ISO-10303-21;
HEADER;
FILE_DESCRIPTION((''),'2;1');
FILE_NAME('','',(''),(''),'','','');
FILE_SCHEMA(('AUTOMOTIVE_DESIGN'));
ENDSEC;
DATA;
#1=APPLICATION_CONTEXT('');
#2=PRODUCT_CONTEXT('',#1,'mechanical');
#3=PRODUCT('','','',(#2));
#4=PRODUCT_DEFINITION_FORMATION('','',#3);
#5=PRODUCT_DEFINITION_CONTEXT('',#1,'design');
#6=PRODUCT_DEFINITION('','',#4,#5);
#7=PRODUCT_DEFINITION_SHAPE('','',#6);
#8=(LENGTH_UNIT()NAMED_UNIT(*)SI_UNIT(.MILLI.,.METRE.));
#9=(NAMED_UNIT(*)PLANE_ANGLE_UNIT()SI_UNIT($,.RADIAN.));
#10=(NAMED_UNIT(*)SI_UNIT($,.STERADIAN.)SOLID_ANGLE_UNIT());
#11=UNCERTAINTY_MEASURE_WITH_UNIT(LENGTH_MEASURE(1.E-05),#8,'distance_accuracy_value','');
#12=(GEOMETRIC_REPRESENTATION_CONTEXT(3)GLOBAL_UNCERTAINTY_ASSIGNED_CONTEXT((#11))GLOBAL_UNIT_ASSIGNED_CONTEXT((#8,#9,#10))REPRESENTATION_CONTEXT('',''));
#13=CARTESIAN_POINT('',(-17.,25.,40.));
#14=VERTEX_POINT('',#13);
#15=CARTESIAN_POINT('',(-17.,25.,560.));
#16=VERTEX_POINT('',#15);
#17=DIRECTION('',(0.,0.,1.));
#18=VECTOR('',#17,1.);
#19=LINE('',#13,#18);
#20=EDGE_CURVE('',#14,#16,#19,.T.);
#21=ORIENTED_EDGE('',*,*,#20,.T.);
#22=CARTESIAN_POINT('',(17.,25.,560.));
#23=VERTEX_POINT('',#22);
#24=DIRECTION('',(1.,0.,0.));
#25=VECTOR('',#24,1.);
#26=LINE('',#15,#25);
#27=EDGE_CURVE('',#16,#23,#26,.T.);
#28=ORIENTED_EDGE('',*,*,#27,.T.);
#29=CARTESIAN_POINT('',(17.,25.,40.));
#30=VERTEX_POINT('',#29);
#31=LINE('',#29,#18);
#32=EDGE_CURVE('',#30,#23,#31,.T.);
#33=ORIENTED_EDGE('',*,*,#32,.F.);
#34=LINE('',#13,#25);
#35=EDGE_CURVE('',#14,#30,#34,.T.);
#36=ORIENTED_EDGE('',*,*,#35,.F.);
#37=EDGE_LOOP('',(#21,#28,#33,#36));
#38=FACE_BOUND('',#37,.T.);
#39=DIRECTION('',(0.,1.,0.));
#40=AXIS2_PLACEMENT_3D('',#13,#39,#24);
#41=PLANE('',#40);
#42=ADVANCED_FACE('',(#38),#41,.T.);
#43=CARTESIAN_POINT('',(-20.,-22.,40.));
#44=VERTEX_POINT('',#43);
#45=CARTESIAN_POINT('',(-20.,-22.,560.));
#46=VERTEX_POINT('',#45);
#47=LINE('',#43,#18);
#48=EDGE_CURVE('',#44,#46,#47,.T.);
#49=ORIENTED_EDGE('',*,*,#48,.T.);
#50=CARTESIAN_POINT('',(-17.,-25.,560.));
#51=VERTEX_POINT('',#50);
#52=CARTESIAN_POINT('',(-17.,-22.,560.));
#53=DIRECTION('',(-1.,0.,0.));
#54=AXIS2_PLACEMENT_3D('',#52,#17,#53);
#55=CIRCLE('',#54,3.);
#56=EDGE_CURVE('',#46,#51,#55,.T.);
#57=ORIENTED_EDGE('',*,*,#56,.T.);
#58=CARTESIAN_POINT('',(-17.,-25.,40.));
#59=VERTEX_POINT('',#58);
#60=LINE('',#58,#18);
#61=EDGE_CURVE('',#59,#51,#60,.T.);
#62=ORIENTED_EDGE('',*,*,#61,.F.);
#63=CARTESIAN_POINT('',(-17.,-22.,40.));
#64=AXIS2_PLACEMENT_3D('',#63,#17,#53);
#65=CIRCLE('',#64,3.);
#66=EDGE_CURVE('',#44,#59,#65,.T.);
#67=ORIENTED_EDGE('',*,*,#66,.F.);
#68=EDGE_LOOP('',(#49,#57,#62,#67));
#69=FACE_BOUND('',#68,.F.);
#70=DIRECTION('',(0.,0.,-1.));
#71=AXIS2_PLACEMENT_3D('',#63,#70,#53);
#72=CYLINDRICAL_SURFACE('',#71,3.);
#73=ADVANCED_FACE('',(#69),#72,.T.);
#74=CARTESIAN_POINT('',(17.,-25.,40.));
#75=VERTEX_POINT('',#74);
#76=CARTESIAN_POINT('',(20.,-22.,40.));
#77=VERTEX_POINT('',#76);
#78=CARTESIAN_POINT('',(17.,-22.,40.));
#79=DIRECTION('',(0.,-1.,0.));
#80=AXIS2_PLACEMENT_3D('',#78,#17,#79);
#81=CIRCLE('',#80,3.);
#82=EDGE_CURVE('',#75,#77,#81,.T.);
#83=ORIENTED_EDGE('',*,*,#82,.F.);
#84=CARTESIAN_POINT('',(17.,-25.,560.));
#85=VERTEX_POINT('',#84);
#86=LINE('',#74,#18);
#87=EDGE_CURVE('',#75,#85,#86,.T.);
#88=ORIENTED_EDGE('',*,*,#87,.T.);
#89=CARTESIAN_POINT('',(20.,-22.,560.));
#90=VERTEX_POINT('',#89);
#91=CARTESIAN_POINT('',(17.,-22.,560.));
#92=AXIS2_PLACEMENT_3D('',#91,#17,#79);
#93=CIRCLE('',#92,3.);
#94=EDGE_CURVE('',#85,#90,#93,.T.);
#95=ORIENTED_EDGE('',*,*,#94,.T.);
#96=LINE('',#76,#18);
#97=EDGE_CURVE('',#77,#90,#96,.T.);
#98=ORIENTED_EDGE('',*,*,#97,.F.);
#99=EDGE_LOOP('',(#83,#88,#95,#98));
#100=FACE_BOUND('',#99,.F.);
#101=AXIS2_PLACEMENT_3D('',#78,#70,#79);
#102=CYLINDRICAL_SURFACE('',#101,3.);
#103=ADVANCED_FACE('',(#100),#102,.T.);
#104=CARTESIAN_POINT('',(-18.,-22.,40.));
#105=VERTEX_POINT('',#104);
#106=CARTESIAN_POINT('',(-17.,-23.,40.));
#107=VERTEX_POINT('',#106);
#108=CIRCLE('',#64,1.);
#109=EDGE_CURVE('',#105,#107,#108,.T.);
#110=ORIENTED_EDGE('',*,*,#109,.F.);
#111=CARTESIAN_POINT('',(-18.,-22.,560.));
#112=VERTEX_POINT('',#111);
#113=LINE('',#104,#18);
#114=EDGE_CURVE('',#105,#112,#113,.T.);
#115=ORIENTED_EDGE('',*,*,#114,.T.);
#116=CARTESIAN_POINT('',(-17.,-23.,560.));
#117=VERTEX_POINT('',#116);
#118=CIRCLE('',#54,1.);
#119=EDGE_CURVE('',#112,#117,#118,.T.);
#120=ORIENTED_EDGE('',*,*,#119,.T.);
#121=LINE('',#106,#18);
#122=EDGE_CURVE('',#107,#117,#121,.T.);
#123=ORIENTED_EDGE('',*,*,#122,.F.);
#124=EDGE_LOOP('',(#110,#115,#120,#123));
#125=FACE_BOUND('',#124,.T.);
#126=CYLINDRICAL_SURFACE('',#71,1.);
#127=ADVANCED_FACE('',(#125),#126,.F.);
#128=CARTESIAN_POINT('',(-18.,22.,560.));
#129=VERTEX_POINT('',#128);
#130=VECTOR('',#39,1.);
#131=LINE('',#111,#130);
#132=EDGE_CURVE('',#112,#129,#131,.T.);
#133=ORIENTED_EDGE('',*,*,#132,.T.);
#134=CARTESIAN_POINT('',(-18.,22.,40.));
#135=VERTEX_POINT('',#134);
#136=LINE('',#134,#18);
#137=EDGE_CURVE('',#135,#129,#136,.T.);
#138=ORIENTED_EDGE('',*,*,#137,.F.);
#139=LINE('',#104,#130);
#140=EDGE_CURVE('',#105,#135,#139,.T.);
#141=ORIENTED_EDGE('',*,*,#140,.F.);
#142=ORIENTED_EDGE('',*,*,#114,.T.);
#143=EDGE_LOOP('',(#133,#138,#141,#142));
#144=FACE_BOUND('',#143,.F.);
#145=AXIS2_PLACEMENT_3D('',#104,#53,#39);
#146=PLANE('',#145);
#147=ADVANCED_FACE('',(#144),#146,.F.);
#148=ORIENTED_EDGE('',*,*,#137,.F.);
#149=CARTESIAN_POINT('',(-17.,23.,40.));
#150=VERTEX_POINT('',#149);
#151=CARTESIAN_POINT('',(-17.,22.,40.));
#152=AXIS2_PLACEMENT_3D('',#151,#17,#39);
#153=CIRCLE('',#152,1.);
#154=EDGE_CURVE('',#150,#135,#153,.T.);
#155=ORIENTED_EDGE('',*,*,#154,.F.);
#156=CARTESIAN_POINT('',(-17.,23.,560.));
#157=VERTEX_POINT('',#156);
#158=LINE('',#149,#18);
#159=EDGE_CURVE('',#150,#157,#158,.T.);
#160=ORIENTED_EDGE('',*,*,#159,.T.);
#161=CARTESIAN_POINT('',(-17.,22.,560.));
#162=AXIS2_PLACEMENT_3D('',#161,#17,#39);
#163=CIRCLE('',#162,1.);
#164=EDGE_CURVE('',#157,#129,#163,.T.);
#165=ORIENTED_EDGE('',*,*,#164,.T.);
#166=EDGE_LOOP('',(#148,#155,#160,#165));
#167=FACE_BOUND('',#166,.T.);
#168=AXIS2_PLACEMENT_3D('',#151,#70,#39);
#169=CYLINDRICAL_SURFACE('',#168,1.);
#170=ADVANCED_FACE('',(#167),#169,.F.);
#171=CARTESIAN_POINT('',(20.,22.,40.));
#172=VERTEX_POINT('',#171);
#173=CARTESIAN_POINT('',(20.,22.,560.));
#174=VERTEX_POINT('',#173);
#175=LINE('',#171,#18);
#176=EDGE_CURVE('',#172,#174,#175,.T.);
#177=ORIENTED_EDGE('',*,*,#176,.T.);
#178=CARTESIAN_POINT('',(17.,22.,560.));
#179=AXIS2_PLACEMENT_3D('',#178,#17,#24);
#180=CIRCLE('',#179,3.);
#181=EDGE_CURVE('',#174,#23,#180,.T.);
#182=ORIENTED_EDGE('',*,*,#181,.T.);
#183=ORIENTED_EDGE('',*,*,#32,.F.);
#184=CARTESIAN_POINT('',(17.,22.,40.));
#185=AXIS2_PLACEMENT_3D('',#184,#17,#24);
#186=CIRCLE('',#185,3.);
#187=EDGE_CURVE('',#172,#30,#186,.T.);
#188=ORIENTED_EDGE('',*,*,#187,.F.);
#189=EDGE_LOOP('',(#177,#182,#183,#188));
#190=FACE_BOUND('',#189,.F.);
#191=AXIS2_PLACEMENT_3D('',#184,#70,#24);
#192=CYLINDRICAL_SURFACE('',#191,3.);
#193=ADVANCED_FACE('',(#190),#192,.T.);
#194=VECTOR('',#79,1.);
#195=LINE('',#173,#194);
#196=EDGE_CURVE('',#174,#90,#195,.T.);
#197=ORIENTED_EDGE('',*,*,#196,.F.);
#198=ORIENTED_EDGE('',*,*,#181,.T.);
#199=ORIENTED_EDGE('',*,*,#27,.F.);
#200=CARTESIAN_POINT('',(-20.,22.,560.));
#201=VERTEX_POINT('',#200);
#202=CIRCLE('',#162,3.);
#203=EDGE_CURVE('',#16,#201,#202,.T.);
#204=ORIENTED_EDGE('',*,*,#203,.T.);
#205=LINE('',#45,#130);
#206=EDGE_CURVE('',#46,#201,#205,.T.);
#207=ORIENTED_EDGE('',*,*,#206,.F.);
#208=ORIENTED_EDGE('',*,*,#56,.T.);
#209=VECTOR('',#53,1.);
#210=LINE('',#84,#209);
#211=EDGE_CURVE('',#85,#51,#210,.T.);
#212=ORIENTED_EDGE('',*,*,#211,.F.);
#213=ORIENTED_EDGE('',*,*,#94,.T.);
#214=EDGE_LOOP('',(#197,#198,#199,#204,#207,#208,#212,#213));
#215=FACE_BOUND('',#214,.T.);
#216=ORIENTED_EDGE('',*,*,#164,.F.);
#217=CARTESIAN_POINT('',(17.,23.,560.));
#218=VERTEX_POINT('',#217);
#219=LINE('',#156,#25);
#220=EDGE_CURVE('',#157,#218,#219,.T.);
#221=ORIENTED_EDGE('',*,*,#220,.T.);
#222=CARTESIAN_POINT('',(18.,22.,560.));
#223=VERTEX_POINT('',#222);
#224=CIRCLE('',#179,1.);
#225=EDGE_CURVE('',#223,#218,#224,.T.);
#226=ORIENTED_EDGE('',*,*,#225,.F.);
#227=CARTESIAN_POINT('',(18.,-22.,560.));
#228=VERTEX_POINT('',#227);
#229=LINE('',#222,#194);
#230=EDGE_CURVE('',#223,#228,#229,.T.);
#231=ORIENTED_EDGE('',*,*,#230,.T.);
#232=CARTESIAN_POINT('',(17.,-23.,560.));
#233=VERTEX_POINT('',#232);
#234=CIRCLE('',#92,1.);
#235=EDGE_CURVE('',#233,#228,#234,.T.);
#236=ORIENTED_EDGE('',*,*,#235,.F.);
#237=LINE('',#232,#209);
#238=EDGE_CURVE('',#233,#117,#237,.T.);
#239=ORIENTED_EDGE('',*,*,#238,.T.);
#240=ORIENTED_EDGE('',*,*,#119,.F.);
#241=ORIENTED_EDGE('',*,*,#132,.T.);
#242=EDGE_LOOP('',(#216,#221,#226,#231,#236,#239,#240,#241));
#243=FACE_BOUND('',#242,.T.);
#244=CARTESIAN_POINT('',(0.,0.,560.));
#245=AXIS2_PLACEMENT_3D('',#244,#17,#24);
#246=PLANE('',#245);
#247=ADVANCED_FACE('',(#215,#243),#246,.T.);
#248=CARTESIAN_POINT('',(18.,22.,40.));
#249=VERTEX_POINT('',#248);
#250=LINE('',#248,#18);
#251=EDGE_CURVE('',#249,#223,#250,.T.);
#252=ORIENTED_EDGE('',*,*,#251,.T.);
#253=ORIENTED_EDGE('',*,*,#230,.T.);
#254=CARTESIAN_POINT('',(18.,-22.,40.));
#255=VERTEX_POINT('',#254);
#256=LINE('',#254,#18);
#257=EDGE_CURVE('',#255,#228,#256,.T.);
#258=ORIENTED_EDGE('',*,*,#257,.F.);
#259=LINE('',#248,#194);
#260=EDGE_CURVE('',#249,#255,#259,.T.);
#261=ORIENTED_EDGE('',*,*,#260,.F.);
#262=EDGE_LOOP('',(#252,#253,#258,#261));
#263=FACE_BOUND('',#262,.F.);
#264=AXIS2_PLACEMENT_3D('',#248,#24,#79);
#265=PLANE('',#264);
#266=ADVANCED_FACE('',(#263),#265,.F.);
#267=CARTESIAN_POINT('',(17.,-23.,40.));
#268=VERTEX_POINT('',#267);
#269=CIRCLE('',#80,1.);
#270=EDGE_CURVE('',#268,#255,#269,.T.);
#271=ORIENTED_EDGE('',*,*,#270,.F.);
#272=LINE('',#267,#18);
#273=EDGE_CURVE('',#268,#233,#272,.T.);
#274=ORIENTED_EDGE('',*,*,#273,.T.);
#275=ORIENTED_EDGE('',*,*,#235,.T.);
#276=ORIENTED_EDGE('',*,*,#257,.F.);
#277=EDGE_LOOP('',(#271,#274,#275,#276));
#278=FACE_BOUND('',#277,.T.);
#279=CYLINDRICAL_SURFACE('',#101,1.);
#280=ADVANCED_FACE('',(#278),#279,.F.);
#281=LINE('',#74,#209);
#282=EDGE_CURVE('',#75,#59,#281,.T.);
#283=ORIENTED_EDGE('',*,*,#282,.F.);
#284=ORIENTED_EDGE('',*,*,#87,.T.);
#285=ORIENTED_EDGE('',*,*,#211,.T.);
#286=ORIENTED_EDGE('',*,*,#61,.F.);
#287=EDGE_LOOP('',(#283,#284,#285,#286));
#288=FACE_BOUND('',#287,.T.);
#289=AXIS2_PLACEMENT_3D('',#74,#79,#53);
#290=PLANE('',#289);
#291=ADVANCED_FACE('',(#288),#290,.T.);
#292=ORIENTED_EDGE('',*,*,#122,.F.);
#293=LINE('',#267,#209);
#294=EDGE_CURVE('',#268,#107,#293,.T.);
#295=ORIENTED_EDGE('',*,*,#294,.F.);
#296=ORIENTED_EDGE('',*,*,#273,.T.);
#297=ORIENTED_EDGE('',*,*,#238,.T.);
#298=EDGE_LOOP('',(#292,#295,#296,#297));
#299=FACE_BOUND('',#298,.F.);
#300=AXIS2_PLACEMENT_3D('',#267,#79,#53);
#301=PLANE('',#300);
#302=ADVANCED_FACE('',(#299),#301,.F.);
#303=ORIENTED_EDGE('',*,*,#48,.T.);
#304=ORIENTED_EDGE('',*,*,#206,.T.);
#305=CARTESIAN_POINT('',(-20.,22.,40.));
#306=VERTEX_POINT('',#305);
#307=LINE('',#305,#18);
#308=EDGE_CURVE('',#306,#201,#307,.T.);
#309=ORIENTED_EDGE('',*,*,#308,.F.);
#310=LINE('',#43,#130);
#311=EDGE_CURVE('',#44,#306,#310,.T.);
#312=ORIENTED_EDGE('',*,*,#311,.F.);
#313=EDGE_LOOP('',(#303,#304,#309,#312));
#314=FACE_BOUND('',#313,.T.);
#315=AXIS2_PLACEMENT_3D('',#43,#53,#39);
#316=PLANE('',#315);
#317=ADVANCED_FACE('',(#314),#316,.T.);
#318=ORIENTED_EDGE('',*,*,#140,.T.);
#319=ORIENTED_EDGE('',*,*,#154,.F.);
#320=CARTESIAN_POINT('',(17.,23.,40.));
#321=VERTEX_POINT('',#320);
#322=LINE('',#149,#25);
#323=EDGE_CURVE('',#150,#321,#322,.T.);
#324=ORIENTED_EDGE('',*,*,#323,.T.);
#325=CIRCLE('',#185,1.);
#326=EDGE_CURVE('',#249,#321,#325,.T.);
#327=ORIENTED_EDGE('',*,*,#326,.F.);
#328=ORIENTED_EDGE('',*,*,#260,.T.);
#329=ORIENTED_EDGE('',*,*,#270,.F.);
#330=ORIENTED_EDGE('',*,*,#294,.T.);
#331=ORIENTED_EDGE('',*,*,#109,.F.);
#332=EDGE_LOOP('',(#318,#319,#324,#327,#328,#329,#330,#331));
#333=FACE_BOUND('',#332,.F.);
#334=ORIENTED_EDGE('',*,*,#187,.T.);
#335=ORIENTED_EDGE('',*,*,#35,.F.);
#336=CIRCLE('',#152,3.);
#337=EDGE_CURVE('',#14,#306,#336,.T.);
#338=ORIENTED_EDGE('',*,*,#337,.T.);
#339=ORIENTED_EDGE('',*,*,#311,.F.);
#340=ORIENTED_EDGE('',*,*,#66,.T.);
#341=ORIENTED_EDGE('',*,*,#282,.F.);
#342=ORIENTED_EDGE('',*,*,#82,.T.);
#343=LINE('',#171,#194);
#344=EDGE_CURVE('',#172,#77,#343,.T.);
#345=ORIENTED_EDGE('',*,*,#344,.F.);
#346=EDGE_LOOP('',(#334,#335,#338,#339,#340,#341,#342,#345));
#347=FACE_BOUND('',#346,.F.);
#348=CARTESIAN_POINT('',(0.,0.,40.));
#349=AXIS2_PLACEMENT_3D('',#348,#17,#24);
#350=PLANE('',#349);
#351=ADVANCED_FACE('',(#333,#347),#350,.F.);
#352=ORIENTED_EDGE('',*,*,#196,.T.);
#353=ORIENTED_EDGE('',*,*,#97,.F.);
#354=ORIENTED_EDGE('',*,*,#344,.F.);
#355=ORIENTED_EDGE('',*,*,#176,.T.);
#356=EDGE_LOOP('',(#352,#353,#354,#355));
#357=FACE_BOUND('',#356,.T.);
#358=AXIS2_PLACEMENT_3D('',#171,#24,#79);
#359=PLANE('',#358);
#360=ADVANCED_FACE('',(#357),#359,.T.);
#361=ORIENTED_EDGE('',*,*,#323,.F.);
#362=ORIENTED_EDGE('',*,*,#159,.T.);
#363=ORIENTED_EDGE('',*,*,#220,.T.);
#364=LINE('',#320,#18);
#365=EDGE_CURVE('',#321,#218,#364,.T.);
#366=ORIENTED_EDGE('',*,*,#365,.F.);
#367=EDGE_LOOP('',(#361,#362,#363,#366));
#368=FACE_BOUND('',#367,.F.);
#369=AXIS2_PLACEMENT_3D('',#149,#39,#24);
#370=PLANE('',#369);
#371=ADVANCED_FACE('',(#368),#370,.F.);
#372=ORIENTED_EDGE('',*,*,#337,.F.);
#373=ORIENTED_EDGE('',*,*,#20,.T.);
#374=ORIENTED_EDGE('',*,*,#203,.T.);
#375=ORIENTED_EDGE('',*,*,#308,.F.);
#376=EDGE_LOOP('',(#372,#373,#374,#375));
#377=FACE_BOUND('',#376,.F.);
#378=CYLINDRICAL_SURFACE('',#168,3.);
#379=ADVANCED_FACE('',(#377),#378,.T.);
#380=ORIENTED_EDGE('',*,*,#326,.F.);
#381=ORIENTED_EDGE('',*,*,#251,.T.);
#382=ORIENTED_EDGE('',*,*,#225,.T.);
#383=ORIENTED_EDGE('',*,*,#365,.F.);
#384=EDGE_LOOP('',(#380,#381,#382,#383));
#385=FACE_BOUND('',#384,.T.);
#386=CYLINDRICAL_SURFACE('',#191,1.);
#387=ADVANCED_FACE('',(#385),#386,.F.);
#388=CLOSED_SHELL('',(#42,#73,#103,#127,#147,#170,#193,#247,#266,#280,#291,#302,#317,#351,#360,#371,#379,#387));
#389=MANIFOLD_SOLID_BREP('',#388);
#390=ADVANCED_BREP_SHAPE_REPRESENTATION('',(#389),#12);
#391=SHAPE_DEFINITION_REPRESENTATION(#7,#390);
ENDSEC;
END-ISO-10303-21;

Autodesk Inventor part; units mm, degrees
ref_plane "Start plane" through (0, 0, 40) normal (0, 0, 1) x (1, 0, 0)
ref_plane "End plane" through (0, 0, 560) normal (0, 0, 1) x (1, 0, 0)
sketch "Sketch" plane through (0, 0, 0) normal (0, 0, 1) x (1, 0, 0)
  line L0 (-20, -22) -> (-20, 22)
  line L1 (-17, 25) -> (17, 25)
  line L2 (20, 22) -> (20, -22)
  line L3 (17, -25) -> (-17, -25)
  arc A0 (-20, -22) -> (-17, -25) centre (-17, -22) ccw
  arc A1 (-17, 25) -> (-20, 22) centre (-17, 22) ccw
  arc A2 (20, 22) -> (17, 25) centre (17, 22) ccw
  arc A3 (17, -25) -> (20, -22) centre (17, -22) ccw
  arc A4 (-17, 23) -> (-18, 22) centre (-17, 22) ccw
  line L4 (-17, 23) -> (17, 23)
  arc A5 (18, 22) -> (17, 23) centre (17, 22) ccw
  line L5 (18, 22) -> (18, -22)
  arc A6 (17, -23) -> (18, -22) centre (17, -22) ccw
  line L6 (17, -23) -> (-17, -23)
  arc A7 (-18, -22) -> (-17, -23) centre (-17, -22) ccw
  line L7 (-18, -22) -> (-18, 22)
  line L8 (0, 35.8698) -> (0, -35.8698) construction
  line L9 (-28.8698, 0) -> (28.8698, 0) construction
  dimension "d7" = 3
  dimension "d10" = 50
  dimension "d11" = 40
  dimension "d12" = 2
  dimension "d15" = 25
  dimension "d16" = 20
extrude "Body" add sketch "Sketch" along normal up to surface (520 mm away) from surface at 40
sketch "Sketch3" plane through (0, 0, 0) normal (0, 0, 1) x (1, 0, 0)
  line L0 (0, 0) -> (10, 0)
ref_plane "Work Plane3" through (0, 0, 0) normal (0, -1, 0) x (1, 0, 0)
sketch "Sketch4" plane through (0, 0, 0) normal (0, -1, 0) x (1, 0, 0)
  line L0 (-2, 40) -> (12, 40)
  line L1 (-2, 560) -> (12, 560)
  dimension "d18" = 520
ref_plane "Work Plane4" through (-27, -475, 560) normal (0, 0, 1) x (1, 0, 0)
split "Split1" plane through (-27, -475, 560) removes the side toward (0, 0, 1)
ref_plane "Work Plane5" through (-390, -22, 40) normal (0, 0, -1) x (-1, 0, 0)
split "Split2" plane through (-390, -22, 40) removes the side toward (0, 0, -1)
equation "\"d7\" = G_IR"
equation "\"d10\" = G_H"
equation "\"d11\" = G_W"
equation "\"d12\" = G_T"
equation "\"d15\" = 0.5 * d10"
equation "\"d16\" = 0.5 * d11"
equation "\"d3\" = G_L"
equation "\"G_W\" = 40"
equation "\"G_H\" = 50"
equation "\"G_T\" = 2"
equation "\"G_IR\" = 3"
equation "\"G_L\" = d18"
equation "\"G_OFFSET_START\" = -40"
equation "\"G_OFFSET_END\" = -40"
equation "\"d13\" = -G_OFFSET_START"
equation "\"d14\" = G_OFFSET_END + B_L"
equation "\"B_L\" = 600"
properties part number "UNI EN 10305-5 - 50 x 40 x 2  - 520" material "Steel, Mild"
